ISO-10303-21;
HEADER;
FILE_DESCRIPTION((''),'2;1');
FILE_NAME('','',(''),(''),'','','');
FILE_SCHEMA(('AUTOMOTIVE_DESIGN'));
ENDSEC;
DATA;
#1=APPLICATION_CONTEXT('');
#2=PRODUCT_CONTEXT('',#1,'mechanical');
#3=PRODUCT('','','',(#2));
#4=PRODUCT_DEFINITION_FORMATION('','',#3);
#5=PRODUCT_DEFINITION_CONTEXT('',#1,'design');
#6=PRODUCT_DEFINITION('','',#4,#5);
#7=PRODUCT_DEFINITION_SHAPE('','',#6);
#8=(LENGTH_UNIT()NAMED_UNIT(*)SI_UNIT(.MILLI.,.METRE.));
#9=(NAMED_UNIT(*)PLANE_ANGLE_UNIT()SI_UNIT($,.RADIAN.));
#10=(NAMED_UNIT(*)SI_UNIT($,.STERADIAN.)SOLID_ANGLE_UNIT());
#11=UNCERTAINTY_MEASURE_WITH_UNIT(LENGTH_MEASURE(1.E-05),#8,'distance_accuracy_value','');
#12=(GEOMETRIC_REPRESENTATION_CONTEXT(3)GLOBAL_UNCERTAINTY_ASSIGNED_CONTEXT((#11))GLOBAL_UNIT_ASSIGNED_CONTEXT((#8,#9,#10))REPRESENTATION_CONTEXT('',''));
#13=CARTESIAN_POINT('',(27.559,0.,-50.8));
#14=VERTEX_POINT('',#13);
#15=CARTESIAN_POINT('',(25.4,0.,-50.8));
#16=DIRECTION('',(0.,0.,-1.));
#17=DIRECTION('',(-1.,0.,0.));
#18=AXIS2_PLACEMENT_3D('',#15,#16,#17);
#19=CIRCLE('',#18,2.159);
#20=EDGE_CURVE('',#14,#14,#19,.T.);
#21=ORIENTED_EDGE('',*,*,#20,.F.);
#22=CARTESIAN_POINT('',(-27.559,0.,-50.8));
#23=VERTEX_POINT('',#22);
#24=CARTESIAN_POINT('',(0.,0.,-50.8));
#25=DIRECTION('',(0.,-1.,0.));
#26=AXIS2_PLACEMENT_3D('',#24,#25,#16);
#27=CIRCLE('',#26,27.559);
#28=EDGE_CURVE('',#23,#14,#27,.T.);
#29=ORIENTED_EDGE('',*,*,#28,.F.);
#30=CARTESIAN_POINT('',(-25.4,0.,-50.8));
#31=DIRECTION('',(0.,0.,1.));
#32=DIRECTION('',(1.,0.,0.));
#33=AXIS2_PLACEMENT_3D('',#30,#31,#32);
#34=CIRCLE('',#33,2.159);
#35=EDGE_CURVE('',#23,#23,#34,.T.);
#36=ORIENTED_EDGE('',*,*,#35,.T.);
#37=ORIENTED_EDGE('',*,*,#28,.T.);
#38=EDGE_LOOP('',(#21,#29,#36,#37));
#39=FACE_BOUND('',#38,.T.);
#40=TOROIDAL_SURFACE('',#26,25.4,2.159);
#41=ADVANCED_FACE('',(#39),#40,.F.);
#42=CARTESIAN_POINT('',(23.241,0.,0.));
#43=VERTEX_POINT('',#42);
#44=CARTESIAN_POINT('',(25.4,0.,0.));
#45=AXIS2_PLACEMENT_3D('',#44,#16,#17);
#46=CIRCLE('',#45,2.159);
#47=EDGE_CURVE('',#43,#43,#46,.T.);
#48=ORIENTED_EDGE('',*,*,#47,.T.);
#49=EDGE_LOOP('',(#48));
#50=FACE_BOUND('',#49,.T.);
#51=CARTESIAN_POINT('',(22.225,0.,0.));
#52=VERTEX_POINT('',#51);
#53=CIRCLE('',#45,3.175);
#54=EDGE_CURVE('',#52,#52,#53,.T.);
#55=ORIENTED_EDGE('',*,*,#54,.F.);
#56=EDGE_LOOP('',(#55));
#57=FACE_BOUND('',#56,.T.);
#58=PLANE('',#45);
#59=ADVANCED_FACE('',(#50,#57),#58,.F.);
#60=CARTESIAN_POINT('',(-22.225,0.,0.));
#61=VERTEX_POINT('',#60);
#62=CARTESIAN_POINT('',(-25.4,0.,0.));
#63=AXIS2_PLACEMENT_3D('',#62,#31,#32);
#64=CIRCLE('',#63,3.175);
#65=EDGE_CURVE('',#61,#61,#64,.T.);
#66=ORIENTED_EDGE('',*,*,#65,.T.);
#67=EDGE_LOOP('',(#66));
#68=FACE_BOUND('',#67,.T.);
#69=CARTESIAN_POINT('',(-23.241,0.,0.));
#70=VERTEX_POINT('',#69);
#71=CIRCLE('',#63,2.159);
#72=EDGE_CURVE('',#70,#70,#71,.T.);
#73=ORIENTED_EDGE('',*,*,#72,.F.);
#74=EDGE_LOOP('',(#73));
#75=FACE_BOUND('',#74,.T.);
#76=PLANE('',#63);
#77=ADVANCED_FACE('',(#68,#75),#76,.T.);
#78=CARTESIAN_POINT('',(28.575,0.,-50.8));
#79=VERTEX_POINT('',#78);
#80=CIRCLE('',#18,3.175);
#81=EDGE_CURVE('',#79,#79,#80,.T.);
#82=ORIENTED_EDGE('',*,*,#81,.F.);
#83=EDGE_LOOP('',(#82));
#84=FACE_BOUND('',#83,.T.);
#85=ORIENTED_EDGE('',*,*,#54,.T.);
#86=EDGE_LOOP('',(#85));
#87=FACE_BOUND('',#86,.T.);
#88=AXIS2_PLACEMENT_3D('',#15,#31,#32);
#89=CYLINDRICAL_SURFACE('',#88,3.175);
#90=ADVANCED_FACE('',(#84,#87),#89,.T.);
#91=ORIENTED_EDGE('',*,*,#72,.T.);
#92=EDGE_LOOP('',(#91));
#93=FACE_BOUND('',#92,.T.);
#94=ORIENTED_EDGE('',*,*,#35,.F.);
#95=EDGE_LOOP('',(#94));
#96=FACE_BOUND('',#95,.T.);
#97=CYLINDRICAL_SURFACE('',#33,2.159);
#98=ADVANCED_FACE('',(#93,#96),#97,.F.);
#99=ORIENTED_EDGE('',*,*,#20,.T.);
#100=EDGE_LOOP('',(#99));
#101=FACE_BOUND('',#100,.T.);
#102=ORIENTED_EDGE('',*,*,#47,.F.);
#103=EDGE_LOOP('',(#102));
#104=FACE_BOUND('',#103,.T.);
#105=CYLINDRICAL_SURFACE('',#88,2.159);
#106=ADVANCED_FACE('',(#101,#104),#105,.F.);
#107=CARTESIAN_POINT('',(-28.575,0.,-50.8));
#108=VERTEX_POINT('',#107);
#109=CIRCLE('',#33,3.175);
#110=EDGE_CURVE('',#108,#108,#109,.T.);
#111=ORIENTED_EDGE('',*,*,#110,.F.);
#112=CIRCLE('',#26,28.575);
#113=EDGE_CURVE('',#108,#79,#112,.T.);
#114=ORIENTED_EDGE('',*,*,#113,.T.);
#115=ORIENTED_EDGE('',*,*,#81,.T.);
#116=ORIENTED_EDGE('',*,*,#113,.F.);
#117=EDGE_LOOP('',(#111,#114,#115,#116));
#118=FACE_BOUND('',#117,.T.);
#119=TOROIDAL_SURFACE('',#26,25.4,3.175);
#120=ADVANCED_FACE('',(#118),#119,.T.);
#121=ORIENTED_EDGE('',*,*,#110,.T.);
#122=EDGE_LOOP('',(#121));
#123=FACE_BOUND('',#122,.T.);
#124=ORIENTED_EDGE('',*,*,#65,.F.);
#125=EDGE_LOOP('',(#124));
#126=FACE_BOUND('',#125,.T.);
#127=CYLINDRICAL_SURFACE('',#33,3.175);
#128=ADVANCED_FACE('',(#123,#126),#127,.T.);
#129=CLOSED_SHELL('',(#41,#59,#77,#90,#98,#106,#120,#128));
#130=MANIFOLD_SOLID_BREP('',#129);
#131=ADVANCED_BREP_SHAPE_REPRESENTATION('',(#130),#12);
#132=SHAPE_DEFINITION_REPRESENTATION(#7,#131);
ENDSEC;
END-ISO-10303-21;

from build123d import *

# Parameters (mm, degrees)
SKETCH4_R   = 3.175
SKETCH4_R_2 = 2.159


with BuildPart() as part:
    # Sweep1: sweep along a path in Sketch3
    with BuildLine(Plane(origin=(0, 0, 0), x_dir=(1, 0, 0), z_dir=(0, 1, 0))) as sweep1_path:
        Line((-25.4, 0), (-25.4, 50.8))
        ThreePointArc((-25.4, 50.8), (0, 76.2), (25.4, 50.8))
        Line((25.4, 50.8), (25.4, 0))
    # Sketch4 → Sweep1 (sweep)
    with BuildSketch(Plane.XY):
        with Locations((-25.4, 0)):
            Circle(SKETCH4_R)
        with Locations((-25.4, 0)):
            Circle(SKETCH4_R_2, mode=Mode.SUBTRACT)
    sweep(path=sweep1_path.line)


solid = part.part
